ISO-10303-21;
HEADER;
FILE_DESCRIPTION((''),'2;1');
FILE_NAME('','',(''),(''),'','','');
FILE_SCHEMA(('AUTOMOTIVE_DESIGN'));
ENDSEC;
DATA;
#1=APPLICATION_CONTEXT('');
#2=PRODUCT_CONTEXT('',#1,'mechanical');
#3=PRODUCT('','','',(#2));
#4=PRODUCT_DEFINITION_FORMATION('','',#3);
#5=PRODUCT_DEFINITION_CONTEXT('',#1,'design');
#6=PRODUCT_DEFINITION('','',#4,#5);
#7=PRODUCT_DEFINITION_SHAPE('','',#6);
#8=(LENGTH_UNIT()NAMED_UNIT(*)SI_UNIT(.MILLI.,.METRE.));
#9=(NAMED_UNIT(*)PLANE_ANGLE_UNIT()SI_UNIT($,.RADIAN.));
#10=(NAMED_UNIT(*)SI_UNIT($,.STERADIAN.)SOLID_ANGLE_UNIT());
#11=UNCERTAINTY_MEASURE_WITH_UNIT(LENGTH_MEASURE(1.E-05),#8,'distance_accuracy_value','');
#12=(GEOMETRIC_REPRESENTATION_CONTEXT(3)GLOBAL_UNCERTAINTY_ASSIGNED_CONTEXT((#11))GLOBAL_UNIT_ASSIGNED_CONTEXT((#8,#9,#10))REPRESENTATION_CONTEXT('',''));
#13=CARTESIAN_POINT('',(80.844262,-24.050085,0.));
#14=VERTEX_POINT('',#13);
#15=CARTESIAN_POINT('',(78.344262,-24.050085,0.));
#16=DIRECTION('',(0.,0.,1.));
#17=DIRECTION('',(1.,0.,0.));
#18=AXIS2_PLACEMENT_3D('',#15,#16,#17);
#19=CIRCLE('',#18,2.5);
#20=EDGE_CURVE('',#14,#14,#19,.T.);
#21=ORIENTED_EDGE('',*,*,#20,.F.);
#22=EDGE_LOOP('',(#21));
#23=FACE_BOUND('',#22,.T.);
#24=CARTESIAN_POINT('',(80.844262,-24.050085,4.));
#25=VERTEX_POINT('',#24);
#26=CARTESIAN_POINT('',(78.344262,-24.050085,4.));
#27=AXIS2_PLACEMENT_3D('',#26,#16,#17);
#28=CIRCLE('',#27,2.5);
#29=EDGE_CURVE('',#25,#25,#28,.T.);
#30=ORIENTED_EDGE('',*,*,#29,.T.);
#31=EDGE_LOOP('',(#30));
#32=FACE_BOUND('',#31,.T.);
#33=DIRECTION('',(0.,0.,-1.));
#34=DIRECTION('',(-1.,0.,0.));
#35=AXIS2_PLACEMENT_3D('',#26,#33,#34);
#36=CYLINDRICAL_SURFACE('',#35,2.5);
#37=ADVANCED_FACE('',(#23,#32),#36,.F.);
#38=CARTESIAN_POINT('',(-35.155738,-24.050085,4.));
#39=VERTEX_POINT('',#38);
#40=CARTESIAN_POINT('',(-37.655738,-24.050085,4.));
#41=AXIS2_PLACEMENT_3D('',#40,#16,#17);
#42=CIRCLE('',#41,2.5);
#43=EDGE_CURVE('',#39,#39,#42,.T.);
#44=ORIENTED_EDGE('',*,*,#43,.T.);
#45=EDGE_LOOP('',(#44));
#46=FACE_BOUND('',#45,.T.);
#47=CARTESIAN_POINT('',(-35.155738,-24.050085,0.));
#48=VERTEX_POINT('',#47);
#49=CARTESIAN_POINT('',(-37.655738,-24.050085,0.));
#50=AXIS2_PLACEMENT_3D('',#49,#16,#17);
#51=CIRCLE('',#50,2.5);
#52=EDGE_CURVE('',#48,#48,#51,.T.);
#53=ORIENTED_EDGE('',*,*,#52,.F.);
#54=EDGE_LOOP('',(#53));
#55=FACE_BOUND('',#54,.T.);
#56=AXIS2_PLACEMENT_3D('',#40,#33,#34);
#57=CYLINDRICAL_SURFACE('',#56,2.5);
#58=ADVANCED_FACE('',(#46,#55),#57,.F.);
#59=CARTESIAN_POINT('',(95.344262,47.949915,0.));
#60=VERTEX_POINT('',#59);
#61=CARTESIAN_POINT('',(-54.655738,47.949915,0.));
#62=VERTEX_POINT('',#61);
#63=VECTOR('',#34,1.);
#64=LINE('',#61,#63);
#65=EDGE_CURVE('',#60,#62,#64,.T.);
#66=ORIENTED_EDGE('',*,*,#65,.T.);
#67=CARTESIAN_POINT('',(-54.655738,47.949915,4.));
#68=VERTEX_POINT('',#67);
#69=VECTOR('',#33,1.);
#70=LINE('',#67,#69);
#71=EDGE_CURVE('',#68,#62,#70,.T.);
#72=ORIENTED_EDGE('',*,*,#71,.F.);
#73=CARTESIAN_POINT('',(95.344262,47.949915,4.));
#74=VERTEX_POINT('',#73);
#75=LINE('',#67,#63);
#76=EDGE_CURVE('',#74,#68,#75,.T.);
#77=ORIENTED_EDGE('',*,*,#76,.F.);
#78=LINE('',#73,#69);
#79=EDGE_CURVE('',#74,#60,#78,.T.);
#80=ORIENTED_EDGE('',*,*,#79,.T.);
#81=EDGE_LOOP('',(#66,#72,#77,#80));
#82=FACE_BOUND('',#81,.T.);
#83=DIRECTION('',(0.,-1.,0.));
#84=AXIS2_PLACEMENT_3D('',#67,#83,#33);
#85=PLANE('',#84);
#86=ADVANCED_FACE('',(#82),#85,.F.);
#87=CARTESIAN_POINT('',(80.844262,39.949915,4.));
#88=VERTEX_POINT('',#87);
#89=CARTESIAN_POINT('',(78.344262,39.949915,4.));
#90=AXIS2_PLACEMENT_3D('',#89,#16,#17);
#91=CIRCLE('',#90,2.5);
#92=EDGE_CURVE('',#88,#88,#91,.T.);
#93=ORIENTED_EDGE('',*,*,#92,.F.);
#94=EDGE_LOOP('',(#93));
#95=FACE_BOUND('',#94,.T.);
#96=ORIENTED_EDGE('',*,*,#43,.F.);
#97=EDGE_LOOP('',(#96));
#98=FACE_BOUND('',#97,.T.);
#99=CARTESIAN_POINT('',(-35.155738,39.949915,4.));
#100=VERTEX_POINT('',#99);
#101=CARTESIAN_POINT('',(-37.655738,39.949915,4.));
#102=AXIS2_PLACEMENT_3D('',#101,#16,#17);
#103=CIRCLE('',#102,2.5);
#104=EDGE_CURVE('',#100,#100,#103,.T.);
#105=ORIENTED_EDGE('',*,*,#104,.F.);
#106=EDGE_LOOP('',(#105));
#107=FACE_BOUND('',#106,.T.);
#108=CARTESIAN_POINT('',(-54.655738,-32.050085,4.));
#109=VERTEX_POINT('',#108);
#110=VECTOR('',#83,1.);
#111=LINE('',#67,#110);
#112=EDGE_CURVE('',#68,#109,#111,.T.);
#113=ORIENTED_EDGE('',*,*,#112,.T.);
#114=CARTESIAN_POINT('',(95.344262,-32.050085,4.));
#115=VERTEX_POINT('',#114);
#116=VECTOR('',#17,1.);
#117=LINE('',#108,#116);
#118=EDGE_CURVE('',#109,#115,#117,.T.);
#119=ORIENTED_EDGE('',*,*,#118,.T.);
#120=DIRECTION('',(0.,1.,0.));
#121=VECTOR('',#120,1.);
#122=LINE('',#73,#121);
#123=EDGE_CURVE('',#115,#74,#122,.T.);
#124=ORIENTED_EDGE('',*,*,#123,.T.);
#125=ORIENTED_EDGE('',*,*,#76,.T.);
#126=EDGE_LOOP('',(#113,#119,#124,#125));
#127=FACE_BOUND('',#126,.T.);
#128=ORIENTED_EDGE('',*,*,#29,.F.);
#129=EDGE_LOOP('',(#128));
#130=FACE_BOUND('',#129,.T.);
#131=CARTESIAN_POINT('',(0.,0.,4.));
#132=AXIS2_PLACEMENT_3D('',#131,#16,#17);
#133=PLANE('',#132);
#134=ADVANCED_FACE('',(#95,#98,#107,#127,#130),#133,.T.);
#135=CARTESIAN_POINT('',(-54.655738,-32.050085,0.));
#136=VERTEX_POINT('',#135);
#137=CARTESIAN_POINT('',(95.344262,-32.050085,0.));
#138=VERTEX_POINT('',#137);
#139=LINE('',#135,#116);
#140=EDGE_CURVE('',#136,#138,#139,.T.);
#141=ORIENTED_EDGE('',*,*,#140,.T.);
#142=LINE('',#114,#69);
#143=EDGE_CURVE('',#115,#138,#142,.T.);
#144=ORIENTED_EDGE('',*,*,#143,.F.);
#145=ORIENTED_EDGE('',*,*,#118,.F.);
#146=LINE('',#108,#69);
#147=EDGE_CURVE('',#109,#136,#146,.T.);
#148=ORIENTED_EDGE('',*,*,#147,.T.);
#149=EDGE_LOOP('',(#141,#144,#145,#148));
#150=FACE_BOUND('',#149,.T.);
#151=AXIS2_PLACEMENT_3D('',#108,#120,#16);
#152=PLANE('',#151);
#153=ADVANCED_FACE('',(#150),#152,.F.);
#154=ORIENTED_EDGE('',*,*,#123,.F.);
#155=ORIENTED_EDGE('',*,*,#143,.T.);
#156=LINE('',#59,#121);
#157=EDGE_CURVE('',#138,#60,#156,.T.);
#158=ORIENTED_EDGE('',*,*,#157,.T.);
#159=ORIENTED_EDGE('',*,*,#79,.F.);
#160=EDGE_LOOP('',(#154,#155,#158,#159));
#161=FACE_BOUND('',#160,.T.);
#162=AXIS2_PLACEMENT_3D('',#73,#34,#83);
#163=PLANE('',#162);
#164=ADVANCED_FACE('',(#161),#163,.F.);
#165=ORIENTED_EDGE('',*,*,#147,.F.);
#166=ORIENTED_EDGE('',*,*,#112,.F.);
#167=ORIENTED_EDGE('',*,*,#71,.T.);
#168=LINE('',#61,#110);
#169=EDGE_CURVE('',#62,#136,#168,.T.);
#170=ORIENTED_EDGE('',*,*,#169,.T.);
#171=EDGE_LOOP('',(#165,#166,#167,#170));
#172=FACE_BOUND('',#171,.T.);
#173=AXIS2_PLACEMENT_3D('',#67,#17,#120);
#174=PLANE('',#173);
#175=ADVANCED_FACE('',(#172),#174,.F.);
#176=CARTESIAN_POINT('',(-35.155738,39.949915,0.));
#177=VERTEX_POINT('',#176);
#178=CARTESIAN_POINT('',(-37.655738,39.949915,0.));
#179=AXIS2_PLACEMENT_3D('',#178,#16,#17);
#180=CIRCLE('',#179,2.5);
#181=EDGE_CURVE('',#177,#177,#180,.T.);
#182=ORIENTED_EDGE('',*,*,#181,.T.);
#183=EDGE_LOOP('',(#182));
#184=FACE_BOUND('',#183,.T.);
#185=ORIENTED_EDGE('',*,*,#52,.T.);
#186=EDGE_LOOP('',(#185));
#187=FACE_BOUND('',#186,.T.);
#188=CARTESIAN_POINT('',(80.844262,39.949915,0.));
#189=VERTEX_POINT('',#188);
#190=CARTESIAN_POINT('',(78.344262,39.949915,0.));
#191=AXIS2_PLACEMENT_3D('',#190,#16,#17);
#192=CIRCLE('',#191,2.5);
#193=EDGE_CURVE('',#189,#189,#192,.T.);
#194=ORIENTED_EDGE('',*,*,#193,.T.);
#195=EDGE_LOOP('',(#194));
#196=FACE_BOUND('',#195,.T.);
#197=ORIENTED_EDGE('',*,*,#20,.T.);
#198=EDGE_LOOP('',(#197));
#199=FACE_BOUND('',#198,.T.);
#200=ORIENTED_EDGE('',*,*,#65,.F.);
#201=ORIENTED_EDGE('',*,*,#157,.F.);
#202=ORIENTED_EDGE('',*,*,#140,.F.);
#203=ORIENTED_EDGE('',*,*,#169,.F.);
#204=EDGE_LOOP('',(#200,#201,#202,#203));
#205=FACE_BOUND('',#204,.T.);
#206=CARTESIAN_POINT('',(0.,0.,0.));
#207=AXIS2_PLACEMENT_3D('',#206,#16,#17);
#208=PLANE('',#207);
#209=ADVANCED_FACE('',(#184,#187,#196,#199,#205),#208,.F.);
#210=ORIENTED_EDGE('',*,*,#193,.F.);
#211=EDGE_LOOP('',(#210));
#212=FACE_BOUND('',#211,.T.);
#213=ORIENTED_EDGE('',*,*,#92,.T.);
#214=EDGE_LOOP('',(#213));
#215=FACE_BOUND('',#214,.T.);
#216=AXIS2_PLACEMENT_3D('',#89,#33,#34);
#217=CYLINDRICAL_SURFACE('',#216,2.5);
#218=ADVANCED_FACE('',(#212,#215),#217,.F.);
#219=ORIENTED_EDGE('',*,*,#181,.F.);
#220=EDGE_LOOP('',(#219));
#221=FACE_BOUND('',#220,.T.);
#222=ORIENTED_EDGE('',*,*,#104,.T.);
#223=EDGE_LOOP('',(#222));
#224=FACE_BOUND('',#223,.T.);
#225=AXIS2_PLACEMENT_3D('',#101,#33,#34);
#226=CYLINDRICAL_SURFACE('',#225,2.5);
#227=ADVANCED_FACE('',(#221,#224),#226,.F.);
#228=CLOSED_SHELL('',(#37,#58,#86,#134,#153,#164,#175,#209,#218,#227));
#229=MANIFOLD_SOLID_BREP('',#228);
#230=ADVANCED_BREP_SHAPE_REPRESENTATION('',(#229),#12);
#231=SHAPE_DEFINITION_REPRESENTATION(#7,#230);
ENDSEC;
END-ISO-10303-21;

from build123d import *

# Parameters (mm, degrees)
ESBO_O1_W                = 150
ESBO_O1_H                = 80
ESBO_O1_R                = 2.5
RESSALTO_EXTRUS_O2_DEPTH = 4


with BuildPart() as part:
    # Esboço1 → Ressalto-extrusão2 (new body)
    with BuildSketch(Plane.XY):
        with Locations((20.344262425, 7.949915335)):
            Rectangle(ESBO_O1_W, ESBO_O1_H)
        with Locations((-37.655737575, 39.949915335)):
            Circle(ESBO_O1_R, mode=Mode.SUBTRACT)
        with Locations((-37.655737575, -24.050084665)):
            Circle(ESBO_O1_R, mode=Mode.SUBTRACT)
        with Locations((78.344262425, 39.949915335)):
            Circle(ESBO_O1_R, mode=Mode.SUBTRACT)
        with Locations((78.344262425, -24.050084665)):
            Circle(ESBO_O1_R, mode=Mode.SUBTRACT)
    extrude(amount=RESSALTO_EXTRUS_O2_DEPTH)


solid = part.part
